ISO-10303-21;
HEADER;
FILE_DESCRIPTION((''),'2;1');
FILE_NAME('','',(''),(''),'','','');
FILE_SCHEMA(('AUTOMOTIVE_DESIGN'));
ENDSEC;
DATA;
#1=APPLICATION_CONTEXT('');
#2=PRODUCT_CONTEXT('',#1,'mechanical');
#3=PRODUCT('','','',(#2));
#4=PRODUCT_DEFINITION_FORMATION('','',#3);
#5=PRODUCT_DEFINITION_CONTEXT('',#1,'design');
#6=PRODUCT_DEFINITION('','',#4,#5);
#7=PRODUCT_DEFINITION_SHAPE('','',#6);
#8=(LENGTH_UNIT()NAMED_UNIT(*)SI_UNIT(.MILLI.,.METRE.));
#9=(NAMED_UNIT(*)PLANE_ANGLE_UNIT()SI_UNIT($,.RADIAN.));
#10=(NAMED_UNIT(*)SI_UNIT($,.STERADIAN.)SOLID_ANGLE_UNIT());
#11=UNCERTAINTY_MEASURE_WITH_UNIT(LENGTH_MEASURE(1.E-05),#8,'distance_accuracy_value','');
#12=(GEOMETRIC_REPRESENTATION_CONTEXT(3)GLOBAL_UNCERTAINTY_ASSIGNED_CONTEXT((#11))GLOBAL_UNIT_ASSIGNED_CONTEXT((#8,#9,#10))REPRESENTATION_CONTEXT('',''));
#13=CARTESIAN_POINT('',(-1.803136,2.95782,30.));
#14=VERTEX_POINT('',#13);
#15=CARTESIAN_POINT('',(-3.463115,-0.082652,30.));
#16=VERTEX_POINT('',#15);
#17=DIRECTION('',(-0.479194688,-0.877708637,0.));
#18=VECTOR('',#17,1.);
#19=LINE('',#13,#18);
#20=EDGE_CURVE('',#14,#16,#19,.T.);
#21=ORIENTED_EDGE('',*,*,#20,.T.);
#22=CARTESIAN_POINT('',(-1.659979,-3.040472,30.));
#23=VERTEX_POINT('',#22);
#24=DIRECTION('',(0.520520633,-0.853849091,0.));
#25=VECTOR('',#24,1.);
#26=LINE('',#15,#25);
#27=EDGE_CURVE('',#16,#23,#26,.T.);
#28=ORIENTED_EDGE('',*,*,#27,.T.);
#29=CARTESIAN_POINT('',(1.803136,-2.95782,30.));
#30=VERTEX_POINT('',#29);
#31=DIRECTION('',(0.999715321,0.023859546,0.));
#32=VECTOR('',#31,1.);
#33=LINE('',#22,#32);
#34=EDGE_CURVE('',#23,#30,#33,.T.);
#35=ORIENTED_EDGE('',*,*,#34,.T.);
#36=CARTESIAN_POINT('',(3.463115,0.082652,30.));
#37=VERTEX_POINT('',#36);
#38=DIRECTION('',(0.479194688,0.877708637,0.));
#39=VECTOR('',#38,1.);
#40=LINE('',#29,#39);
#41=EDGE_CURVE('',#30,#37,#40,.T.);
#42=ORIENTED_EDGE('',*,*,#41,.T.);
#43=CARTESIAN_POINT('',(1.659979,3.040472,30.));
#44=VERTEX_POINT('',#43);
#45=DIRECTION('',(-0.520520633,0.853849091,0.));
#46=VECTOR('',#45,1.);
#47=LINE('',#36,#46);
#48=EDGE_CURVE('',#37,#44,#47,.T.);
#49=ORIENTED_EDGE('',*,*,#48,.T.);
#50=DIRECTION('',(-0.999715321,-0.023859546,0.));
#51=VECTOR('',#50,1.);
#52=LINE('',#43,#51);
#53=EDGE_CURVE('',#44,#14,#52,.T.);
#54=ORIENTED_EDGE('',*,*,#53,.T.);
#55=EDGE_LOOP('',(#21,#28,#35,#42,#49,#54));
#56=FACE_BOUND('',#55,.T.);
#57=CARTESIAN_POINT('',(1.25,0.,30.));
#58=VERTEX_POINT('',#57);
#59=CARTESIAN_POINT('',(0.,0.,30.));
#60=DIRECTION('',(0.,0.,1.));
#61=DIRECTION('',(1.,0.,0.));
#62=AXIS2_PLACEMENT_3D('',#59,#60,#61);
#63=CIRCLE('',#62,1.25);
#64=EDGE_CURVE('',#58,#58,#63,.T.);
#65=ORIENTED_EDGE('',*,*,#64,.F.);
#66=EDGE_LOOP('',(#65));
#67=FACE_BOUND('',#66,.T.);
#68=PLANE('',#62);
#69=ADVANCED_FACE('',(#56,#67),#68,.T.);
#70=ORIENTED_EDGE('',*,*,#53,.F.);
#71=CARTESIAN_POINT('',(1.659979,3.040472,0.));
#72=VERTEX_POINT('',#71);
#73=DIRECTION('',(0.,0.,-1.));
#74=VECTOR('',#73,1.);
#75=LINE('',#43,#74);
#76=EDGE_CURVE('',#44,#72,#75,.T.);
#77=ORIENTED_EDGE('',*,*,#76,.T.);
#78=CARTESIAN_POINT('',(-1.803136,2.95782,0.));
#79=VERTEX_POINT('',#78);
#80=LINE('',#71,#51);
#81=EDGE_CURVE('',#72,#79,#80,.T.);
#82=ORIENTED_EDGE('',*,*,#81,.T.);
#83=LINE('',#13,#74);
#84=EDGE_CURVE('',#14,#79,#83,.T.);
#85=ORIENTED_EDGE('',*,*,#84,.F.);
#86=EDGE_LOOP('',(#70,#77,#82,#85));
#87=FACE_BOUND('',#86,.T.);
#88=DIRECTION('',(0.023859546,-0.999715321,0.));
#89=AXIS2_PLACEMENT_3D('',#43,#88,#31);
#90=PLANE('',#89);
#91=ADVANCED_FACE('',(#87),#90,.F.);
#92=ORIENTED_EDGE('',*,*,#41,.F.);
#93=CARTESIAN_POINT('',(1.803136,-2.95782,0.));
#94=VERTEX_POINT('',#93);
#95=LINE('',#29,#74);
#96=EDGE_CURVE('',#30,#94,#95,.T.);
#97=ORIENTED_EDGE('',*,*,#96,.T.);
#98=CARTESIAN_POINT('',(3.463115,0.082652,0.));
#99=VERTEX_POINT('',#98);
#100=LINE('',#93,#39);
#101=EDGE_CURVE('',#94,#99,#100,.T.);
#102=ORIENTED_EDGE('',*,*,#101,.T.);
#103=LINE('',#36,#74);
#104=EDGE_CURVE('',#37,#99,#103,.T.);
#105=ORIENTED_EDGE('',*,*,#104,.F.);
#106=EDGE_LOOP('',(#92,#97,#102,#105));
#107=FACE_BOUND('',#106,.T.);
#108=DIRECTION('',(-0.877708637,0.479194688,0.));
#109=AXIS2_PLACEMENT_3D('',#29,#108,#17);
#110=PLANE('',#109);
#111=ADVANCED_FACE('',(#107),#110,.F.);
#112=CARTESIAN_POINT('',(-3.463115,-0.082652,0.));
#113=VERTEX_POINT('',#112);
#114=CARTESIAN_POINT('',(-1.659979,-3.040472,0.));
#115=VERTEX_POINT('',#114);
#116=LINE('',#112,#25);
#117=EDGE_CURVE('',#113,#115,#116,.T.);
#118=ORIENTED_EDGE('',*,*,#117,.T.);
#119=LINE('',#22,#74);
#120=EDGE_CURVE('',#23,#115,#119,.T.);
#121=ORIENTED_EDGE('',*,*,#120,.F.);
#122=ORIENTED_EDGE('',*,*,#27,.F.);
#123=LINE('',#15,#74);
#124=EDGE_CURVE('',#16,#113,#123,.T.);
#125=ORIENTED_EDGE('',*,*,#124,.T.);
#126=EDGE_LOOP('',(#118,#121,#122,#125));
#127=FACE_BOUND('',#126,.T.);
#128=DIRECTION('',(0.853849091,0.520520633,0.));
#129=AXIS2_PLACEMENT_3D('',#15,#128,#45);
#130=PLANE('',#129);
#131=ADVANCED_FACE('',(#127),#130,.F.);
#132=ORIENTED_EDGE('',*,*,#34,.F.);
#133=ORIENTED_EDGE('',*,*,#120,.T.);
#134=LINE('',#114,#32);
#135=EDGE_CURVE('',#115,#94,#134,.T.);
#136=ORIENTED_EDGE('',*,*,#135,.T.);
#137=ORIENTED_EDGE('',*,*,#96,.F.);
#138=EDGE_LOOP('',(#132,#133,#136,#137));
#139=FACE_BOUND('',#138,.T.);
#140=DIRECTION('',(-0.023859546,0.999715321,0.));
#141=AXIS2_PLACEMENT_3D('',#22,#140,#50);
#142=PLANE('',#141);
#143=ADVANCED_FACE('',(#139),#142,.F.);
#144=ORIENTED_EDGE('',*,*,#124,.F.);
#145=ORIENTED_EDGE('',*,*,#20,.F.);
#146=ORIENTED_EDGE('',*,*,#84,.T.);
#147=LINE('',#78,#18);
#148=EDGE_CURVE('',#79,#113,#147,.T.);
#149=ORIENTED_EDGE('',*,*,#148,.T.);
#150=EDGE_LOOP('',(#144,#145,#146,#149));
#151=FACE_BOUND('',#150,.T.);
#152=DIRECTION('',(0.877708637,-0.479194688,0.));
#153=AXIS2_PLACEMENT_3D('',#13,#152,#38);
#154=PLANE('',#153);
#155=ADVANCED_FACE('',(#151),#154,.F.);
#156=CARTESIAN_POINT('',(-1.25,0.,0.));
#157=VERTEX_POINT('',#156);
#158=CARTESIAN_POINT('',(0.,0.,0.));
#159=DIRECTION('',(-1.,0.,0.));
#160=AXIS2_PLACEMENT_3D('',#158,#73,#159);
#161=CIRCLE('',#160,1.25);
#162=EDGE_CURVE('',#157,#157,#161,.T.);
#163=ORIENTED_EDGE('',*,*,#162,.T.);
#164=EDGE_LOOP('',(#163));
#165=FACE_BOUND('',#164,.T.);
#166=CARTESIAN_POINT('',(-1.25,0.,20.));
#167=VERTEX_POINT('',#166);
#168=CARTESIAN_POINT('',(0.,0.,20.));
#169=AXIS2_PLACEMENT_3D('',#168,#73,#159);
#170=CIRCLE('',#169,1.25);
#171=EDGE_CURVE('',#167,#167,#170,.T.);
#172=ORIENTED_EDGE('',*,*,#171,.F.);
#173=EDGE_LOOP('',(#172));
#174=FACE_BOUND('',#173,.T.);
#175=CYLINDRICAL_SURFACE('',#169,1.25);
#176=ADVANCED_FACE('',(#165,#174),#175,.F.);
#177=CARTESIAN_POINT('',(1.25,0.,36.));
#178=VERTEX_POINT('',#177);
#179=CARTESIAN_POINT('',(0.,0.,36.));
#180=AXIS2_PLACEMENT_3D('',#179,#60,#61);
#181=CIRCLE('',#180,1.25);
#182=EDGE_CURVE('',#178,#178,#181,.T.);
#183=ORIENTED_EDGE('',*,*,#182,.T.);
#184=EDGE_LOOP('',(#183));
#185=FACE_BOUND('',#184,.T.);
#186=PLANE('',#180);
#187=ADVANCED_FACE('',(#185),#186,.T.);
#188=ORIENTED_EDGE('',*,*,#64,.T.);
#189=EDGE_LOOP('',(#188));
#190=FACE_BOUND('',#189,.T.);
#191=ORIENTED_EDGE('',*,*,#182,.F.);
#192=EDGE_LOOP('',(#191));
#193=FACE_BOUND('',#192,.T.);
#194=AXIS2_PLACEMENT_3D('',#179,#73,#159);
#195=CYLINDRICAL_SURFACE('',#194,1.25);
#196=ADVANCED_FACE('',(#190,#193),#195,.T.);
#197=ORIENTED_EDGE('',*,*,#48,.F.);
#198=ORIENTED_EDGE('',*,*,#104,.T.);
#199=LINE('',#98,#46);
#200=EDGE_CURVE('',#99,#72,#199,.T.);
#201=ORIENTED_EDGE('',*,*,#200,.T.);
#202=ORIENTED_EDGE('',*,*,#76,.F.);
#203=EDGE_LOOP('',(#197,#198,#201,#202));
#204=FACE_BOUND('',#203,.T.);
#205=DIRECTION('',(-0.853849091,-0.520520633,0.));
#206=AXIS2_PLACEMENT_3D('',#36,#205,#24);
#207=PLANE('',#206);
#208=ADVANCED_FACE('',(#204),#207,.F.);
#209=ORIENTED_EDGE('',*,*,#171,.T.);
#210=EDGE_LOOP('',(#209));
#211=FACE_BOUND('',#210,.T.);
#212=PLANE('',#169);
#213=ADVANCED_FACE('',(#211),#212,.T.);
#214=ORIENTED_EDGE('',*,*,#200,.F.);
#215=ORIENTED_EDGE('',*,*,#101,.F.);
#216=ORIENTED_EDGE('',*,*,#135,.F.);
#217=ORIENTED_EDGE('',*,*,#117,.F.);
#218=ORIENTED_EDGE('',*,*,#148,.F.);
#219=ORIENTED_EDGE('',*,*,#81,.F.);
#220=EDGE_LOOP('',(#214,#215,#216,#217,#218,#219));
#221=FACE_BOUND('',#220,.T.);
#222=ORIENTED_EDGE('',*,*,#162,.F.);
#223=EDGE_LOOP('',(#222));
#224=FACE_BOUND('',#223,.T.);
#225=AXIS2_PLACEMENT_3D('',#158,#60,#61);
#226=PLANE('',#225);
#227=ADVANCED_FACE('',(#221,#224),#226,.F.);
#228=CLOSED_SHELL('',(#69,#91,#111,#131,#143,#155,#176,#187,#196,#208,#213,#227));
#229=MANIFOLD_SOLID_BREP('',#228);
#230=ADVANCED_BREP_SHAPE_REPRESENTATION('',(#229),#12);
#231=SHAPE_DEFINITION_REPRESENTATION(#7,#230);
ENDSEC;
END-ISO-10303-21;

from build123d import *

# Parameters (mm, degrees)
EXTRUDE_1_DEPTH     = 30
SKETCH_2_R          = 1.25
EXTRUDE_2_DEPTH     = 6
SKETCH_3_R          = 1.25
CUT_EXTRUDE_1_DEPTH = 20


with BuildPart() as part:
    # 草图1 → 凸台-拉伸1 (new body)
    with BuildSketch(Plane.XY):
        Polygon((1.659979091, 3.040471907), (-1.803136365, 2.957820016), (-3.463115456, -0.082651891), (-1.659979091, -3.040471907), (1.803136365, -2.957820016), (3.463115456, 0.082651891), align=None)
    extrude(amount=EXTRUDE_1_DEPTH)

    # 草图2 → 凸台-拉伸2 (add)
    with BuildSketch(Plane.XY.offset(30)):
        Circle(SKETCH_2_R)
    extrude(amount=EXTRUDE_2_DEPTH)

    # 草图3 → 切除-拉伸1 (cut)
    with BuildSketch(Plane(origin=(0, 0, 0), x_dir=(-1, 0, 0), z_dir=(0, 0, -1))):
        Circle(SKETCH_3_R)
    extrude(amount=-CUT_EXTRUDE_1_DEPTH, mode=Mode.SUBTRACT)


solid = part.part
